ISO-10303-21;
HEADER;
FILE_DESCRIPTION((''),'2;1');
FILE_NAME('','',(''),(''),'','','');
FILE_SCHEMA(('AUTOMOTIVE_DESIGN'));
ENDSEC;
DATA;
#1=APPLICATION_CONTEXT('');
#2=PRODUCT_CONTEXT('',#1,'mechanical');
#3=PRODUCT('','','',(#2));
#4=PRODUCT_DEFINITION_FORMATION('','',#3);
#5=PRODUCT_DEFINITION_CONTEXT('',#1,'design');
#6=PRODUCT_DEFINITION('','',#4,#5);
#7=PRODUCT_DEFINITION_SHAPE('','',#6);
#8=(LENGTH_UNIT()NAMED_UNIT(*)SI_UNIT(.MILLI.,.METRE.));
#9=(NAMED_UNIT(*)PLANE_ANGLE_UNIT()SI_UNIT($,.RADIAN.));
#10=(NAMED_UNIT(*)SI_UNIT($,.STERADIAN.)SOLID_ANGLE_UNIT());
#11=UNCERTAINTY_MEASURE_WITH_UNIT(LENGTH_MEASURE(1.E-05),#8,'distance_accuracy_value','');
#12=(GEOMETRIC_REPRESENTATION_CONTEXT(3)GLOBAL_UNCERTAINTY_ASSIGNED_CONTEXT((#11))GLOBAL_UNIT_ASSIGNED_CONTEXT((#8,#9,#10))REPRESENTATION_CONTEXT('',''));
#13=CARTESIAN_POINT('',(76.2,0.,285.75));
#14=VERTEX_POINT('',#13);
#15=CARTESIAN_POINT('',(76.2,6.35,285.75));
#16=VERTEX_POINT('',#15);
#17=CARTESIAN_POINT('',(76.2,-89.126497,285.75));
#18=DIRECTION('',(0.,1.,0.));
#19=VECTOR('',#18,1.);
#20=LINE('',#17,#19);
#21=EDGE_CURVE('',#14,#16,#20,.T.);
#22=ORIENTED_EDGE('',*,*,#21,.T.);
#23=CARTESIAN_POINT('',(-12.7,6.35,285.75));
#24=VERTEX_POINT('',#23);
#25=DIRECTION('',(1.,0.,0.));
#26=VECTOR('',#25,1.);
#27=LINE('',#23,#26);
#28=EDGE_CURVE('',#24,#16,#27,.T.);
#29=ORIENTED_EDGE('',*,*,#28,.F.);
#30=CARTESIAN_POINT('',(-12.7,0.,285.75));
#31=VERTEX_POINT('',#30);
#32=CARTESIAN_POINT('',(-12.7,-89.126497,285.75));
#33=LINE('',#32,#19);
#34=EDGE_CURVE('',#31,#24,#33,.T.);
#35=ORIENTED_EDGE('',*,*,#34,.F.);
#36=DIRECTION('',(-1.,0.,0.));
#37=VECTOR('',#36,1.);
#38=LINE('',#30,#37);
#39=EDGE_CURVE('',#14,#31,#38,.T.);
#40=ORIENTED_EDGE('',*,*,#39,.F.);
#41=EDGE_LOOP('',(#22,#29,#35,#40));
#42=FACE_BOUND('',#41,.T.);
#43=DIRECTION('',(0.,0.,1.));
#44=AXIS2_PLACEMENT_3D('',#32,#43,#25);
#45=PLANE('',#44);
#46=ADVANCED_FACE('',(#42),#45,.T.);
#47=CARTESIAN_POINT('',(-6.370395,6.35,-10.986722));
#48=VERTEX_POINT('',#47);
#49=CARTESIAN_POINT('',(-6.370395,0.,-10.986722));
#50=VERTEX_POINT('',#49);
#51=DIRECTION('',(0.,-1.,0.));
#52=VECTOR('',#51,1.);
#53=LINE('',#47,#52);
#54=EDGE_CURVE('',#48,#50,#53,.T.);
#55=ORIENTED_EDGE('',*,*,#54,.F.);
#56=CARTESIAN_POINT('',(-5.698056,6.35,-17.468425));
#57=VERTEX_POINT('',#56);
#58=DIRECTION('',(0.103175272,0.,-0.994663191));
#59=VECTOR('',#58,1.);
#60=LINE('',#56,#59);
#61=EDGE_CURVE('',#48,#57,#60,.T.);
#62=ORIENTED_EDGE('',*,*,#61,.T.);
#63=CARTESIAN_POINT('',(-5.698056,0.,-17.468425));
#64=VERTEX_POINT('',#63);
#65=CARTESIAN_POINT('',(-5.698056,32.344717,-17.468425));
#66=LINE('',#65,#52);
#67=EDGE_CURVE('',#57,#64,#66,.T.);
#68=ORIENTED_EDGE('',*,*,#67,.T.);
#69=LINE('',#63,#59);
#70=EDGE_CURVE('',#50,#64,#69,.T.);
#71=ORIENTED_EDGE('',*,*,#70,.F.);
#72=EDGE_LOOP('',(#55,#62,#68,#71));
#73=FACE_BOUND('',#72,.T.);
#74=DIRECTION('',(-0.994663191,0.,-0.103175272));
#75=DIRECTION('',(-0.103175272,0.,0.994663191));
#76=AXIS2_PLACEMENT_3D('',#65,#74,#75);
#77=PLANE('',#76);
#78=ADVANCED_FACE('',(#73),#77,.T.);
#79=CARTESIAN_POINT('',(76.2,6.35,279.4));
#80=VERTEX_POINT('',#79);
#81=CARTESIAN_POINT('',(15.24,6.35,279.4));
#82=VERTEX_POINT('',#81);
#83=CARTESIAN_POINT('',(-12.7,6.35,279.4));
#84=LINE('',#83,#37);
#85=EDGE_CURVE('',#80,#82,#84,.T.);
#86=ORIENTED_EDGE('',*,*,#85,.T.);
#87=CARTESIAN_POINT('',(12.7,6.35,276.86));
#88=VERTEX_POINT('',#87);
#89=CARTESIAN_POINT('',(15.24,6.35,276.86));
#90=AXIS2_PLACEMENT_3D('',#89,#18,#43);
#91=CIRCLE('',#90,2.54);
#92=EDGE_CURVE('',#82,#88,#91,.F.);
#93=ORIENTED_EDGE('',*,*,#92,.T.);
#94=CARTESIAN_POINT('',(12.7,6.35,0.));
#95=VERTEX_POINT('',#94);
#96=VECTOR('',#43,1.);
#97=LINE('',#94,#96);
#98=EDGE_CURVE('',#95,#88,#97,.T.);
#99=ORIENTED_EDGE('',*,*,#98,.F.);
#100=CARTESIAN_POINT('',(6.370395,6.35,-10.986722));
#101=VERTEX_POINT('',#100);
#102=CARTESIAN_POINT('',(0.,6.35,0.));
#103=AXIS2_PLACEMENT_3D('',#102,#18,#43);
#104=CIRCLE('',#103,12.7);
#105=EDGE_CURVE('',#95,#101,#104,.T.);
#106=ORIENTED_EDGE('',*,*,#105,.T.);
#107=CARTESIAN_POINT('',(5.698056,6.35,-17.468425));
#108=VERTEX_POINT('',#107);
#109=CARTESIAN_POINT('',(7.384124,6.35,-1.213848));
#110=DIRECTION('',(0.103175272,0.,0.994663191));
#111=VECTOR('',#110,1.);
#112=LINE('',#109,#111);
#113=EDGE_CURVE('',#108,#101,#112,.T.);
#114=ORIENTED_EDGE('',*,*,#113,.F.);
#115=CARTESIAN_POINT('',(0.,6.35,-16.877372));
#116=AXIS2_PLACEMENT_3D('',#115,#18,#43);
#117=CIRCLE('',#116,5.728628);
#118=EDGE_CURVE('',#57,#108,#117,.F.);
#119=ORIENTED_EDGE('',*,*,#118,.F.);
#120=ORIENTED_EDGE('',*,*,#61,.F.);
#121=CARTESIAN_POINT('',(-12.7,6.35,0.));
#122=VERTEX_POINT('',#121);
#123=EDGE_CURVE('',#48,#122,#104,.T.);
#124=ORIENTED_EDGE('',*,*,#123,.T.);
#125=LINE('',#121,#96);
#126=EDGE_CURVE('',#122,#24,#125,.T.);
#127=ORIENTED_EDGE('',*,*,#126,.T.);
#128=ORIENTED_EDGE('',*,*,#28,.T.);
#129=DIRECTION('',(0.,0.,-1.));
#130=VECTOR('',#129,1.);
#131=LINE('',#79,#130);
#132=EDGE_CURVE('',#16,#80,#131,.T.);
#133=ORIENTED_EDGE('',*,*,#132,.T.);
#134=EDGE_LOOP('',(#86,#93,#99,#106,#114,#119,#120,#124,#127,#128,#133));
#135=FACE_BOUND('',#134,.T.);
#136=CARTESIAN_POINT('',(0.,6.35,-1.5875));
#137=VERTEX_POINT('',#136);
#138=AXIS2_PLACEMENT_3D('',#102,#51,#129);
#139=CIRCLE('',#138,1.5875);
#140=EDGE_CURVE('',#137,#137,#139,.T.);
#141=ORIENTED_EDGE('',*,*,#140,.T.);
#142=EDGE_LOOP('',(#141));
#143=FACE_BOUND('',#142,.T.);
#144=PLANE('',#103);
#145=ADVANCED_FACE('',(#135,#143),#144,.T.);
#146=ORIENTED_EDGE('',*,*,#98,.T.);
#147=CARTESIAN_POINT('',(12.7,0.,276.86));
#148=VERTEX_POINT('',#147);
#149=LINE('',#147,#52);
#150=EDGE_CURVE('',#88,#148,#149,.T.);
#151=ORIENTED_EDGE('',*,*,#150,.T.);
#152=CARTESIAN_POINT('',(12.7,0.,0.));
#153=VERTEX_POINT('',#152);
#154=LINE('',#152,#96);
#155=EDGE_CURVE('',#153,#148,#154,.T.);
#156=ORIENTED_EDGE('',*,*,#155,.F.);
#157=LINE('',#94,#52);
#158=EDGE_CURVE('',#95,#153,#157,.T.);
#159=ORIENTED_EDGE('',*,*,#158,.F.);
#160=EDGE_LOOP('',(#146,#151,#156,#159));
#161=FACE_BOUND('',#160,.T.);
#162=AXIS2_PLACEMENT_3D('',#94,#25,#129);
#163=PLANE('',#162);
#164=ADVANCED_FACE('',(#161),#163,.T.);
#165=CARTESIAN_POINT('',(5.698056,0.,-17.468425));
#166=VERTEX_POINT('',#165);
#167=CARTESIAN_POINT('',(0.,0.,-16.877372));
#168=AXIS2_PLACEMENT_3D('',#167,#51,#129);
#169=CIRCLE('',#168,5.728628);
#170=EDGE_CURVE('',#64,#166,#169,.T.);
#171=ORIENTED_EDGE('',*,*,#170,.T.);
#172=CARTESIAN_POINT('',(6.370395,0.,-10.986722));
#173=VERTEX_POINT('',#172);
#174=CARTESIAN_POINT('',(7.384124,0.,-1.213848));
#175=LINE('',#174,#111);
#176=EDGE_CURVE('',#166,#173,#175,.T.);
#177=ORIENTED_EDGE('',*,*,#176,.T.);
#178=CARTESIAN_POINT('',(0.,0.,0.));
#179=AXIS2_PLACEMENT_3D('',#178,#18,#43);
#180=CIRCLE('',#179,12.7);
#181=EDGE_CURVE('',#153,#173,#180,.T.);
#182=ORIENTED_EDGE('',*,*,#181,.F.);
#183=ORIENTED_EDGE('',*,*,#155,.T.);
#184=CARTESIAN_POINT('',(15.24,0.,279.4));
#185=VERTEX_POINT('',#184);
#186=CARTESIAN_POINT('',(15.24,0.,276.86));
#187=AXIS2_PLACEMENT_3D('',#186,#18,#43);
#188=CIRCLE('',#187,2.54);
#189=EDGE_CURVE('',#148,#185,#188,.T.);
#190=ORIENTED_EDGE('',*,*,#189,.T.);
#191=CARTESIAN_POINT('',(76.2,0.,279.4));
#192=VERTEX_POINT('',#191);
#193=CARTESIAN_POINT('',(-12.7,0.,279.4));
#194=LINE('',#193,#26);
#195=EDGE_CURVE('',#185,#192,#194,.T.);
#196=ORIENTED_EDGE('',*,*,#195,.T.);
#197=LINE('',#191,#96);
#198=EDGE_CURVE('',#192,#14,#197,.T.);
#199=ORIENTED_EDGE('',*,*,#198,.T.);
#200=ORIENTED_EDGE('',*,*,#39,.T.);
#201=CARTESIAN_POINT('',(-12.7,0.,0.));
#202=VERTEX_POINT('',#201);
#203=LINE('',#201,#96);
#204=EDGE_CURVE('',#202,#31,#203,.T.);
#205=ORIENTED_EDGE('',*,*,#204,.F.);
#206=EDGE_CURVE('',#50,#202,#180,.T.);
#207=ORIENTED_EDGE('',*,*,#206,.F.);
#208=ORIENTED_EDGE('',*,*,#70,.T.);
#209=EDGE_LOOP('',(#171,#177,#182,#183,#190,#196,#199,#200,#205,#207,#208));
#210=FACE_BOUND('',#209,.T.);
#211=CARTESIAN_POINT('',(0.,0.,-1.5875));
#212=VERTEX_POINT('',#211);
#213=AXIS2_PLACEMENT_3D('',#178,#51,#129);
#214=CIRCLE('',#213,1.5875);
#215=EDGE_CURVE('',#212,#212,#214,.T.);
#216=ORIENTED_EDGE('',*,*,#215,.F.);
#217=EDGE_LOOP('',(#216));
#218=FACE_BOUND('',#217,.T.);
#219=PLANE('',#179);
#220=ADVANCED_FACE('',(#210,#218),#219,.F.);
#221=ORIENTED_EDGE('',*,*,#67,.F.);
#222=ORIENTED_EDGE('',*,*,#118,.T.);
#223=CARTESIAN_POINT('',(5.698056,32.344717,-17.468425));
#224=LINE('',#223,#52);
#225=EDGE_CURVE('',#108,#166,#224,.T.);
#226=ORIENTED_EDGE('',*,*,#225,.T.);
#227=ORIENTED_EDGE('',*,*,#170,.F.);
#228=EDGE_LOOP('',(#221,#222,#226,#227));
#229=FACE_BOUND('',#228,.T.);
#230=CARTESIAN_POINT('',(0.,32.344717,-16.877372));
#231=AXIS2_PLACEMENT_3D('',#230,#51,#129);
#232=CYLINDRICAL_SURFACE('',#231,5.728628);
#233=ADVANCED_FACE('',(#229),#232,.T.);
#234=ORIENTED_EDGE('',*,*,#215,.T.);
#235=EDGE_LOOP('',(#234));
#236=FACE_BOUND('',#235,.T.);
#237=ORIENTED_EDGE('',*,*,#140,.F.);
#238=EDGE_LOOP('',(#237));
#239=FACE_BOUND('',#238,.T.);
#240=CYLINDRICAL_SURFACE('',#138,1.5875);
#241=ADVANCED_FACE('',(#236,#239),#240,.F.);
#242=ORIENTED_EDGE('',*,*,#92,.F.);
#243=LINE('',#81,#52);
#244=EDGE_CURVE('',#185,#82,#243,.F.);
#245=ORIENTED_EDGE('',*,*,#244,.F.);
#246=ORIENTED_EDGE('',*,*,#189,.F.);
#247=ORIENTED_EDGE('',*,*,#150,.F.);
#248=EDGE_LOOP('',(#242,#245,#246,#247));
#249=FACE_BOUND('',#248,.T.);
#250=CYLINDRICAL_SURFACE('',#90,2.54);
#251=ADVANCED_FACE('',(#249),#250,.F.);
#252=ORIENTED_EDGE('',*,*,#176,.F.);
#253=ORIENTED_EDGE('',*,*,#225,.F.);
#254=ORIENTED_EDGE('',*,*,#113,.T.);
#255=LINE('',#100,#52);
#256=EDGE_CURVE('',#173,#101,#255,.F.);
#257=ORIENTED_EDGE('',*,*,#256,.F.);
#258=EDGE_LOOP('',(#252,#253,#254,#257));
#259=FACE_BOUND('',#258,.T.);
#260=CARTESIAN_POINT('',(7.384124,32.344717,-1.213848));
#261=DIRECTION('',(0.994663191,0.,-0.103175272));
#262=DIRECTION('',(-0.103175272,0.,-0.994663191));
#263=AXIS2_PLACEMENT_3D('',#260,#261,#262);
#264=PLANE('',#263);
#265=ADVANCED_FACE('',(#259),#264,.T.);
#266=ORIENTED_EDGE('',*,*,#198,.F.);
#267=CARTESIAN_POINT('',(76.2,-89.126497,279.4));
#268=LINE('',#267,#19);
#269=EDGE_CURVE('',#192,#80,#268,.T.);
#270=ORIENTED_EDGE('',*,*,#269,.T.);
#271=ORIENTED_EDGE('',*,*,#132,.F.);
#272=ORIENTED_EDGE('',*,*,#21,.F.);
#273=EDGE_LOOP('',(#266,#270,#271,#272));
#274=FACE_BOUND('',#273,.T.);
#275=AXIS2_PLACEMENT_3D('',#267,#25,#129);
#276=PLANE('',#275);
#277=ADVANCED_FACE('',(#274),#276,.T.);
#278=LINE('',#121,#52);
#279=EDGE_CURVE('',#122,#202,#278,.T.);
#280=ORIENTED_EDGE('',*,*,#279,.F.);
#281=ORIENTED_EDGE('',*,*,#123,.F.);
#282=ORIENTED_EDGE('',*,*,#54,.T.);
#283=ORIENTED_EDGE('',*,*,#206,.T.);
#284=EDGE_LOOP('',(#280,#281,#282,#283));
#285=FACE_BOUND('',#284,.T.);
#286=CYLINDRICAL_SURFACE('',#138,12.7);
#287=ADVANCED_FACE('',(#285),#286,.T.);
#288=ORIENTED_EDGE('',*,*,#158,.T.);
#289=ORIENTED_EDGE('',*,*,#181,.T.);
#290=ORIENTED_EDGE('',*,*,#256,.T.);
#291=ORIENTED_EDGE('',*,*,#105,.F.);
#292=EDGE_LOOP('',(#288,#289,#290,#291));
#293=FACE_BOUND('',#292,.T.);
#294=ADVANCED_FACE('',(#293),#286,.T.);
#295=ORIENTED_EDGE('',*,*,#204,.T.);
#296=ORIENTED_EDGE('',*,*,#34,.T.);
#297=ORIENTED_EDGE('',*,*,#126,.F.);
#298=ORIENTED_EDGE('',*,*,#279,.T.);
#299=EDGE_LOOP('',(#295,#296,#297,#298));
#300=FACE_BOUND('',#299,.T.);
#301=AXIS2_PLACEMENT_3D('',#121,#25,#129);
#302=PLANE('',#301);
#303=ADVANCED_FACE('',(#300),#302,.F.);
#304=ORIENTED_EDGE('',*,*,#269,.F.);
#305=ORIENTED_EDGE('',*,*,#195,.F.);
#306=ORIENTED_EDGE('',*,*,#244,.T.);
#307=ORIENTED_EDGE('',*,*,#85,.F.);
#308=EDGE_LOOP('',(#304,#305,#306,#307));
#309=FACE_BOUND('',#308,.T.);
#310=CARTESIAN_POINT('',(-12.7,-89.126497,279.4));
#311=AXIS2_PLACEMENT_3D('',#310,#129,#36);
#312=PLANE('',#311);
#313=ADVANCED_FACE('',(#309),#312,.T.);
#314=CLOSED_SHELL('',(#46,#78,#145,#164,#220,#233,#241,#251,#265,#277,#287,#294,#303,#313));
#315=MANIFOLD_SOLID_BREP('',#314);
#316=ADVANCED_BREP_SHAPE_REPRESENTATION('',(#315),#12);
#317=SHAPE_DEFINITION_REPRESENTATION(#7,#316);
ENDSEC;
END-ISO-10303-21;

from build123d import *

# Parameters (mm, degrees)
BOSS_EXTRUDE1_DEPTH = 6.35
SKETCH2_W           = 88.9
SKETCH2_H           = 6.35
BOSS_EXTRUDE2_DEPTH = 6.35
FILLET1_R           = 2.54
BOSS_EXTRUDE3_DEPTH = 6.35
SKETCH4_R           = 1.5875
CUT_EXTRUDE1_DEPTH  = 296.803693351


with BuildPart() as part:
    # Sketch1 → Boss-Extrude1 (new body)
    with BuildSketch(Plane(origin=(0, 0, 0), x_dir=(1, 0, 0), z_dir=(0, 1, 0))):
        with BuildLine():
            ThreePointArc((12.7, 0), (0, -12.7), (-12.7, 0))
            Line((-12.7, 0), (-12.7, -279.4))
            Line((-12.7, -279.4), (12.7, -279.4))
            Line((12.7, -279.4), (12.7, 0))
        make_face()
        with BuildLine():
            ThreePointArc((12.7, 0), (0, 12.7), (-12.7, 0))
            Line((-12.7, 0), (12.7, 0))
        make_face()
        with BuildLine():
            Line((12.7, 0), (-12.7, 0))
            ThreePointArc((-12.7, 0), (0, -12.7), (12.7, 0))
        make_face()
    extrude(amount=BOSS_EXTRUDE1_DEPTH)

    # Sketch2 → Boss-Extrude2 (add)
    with BuildSketch(Plane(origin=(0, 6.35, 0), x_dir=(1, 0, 0), z_dir=(0, 1, 0))):
        with Locations((31.75, -282.575)):
            Rectangle(SKETCH2_W, SKETCH2_H)
    extrude(amount=-BOSS_EXTRUDE2_DEPTH)

    # Fillet1
    fillet1_edges = [part.edges().sort_by_distance(p)[0] for p in [
        (12.7, 3.175, 279.4),
    ]]
    fillet(fillet1_edges, radius=FILLET1_R)

    # Sketch3 → Boss-Extrude3 (add)
    with BuildSketch(Plane(origin=(0, 0, 0), x_dir=(-1, 0, 0), z_dir=(0, -1, 0))):
        with BuildLine():
            Line((-7.384124229, 1.213847931), (7.384124229, 1.213847931))
            Line((7.384124229, 1.213847931), (5.698055631, 17.468424552))
            ThreePointArc((5.698055631, 17.468424552), (0, 22.606), (-5.698055631, 17.468424552))
            Line((-5.698055631, 17.468424552), (-7.384124229, 1.213847931))
        make_face()
    extrude(amount=-BOSS_EXTRUDE3_DEPTH)

    # Sketch4 → Cut-Extrude1 (cut, through all)
    with BuildSketch(Plane(origin=(0, 0, 0), x_dir=(-1, 0, 0), z_dir=(0, -1, 0))):
        with Locations(Location((0, 0, 0), (0, 0, 90))):
            Circle(SKETCH4_R)
    extrude(amount=-CUT_EXTRUDE1_DEPTH, mode=Mode.SUBTRACT)


solid = part.part
